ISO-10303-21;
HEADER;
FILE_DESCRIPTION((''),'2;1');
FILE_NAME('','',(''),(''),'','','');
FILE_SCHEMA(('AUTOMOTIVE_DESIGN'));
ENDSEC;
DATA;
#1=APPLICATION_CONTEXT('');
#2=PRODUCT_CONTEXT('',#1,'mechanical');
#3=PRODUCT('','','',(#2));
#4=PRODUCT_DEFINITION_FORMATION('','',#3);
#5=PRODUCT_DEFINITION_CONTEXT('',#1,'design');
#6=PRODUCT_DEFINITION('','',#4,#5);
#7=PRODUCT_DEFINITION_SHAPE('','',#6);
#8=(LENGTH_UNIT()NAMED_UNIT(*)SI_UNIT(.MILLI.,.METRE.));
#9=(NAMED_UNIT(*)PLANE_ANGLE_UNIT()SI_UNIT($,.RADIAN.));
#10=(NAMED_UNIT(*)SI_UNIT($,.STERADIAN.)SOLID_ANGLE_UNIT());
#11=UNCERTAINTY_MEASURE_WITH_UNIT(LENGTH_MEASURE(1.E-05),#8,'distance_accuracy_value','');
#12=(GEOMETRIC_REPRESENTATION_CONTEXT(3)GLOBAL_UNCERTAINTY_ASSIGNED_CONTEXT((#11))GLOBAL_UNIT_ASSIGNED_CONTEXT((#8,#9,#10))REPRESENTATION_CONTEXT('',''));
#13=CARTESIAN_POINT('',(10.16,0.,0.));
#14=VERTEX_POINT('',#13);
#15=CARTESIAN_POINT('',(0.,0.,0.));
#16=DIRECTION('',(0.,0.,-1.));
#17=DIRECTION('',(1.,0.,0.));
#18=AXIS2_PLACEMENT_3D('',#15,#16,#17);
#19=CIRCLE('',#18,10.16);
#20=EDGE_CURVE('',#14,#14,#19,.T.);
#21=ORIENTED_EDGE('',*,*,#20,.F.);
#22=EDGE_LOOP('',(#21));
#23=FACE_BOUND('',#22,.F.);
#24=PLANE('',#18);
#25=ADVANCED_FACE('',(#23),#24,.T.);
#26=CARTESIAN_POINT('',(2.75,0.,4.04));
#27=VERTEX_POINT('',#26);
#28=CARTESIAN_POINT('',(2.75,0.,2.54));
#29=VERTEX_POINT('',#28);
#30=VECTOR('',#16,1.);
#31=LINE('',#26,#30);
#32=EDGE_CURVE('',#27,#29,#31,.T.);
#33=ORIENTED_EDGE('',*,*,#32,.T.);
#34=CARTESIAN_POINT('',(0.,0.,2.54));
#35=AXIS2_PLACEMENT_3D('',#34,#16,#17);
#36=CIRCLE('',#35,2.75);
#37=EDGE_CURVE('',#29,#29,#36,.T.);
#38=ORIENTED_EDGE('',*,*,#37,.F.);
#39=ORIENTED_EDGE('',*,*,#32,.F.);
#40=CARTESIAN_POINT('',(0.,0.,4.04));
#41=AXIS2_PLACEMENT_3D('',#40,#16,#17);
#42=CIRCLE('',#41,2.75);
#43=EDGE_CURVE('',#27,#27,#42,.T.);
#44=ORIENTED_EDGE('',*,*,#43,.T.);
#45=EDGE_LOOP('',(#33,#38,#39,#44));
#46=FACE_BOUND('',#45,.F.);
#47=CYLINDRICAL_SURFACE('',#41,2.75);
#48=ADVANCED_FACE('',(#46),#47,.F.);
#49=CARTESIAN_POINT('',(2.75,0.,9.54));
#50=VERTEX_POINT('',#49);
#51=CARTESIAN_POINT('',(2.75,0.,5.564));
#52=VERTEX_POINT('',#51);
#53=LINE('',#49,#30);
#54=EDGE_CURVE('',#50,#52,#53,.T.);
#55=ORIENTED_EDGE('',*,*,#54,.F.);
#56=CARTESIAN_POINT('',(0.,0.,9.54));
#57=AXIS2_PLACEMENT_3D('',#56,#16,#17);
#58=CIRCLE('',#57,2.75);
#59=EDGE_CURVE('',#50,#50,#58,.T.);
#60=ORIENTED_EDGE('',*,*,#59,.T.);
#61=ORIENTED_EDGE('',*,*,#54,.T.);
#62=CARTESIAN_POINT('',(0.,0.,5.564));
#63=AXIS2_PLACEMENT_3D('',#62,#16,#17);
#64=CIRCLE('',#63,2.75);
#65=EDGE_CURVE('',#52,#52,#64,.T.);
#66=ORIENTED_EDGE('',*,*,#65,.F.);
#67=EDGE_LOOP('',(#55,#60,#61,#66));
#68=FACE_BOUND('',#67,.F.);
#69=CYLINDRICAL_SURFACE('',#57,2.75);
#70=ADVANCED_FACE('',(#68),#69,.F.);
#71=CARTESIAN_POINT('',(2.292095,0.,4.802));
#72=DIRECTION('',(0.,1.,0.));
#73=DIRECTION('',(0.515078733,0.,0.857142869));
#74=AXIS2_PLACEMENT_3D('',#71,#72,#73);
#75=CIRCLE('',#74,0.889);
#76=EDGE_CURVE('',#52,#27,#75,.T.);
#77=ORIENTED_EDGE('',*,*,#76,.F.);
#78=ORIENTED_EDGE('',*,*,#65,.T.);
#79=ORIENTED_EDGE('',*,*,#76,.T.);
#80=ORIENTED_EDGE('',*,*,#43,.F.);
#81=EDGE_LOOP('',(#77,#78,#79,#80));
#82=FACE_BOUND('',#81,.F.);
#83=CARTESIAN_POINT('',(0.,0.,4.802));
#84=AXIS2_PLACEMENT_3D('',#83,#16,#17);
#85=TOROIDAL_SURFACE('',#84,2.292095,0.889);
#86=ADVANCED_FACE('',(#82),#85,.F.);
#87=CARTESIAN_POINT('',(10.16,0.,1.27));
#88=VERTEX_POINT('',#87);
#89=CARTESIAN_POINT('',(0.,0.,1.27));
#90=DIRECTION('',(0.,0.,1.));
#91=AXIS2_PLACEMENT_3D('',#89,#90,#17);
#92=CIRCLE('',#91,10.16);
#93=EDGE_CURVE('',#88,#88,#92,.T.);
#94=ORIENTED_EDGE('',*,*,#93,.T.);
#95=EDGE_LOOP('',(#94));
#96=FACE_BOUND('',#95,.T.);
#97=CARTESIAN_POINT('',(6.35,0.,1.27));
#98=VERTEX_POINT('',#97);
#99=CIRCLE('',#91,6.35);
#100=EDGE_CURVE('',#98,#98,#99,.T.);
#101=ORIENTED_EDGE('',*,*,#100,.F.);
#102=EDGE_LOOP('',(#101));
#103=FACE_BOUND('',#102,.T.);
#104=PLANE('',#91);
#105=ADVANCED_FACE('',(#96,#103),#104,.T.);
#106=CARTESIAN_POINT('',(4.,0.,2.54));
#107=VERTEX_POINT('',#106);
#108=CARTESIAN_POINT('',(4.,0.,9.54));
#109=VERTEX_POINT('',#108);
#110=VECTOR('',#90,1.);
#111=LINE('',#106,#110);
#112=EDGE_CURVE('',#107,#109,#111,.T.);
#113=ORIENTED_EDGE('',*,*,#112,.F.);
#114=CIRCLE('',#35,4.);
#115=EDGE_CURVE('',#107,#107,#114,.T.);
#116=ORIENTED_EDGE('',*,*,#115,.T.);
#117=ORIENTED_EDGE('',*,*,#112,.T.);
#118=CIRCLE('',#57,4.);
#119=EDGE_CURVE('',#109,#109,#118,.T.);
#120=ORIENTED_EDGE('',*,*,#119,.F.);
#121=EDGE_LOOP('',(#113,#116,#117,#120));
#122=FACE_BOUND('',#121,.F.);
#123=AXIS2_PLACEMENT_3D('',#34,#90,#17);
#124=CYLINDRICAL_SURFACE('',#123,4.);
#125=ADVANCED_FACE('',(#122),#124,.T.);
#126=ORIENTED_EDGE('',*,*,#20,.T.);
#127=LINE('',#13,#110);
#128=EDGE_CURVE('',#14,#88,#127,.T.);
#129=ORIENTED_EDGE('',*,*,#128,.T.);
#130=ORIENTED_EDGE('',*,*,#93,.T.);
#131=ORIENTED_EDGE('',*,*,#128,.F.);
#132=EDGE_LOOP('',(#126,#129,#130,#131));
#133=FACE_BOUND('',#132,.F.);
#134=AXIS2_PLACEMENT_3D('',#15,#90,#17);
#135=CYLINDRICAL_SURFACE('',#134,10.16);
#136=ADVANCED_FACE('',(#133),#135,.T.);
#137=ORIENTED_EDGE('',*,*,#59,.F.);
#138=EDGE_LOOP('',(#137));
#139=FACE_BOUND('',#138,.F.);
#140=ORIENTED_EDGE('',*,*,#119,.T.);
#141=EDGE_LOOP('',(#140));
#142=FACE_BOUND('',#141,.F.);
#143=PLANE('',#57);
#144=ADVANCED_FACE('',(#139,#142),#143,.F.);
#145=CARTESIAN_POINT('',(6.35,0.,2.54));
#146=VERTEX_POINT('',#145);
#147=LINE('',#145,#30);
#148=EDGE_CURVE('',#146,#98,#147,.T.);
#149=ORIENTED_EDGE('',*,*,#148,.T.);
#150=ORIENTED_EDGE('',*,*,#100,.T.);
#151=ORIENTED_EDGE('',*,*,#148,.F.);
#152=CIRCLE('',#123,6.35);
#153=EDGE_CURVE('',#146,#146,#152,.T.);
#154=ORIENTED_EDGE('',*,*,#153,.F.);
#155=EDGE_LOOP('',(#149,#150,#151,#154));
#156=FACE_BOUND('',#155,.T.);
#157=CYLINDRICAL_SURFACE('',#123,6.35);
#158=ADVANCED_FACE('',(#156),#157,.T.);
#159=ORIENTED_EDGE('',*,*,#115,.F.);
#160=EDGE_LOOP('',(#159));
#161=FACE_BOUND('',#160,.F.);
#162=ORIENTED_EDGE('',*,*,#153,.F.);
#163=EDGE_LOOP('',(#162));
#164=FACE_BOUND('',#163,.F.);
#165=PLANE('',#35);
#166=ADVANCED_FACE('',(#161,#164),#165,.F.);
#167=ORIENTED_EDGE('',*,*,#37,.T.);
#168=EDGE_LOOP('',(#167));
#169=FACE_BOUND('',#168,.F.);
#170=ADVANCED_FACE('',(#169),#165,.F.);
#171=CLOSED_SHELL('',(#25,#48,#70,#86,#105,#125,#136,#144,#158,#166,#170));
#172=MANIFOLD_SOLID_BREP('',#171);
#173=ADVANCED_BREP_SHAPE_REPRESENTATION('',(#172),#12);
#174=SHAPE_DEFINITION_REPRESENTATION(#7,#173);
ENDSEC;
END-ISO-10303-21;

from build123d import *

# Parameters (mm, degrees)
F2_R     = 10.16
F2_R_2   = 6.35
F3_DEPTH = 1.27


with BuildPart() as f1:
    # F0 (on Front) → F1 (revolve)
    with BuildSketch(Plane.XZ):
        with BuildLine():
            Line((0, 2.54), (0, 0))
            Line((0, 0), (10.16, 0))
            Line((10.16, 0), (10.16, 2.54))
            Line((10.16, 2.54), (4, 2.54))
            Line((4, 2.54), (4, 9.54))
            Line((4, 9.54), (2.75, 9.54))
            Line((2.75, 9.54), (2.75, 5.564))
            ThreePointArc((2.75, 5.564), (3.181095, 4.802), (2.75, 4.04))
            Line((2.75, 4.04), (2.75, 2.54))
            Line((2.75, 2.54), (0, 2.54))
        make_face()
    revolve(axis=Axis((0, 0, 1.27), (0, 0, -1)))

    # F2 (on face) → F3 (cut)
    with BuildSketch(Plane.XY.offset(2.54)):
        Circle(F2_R)
        Circle(F2_R_2, mode=Mode.SUBTRACT)
    extrude(amount=-F3_DEPTH, mode=Mode.SUBTRACT)


solid = f1.part
